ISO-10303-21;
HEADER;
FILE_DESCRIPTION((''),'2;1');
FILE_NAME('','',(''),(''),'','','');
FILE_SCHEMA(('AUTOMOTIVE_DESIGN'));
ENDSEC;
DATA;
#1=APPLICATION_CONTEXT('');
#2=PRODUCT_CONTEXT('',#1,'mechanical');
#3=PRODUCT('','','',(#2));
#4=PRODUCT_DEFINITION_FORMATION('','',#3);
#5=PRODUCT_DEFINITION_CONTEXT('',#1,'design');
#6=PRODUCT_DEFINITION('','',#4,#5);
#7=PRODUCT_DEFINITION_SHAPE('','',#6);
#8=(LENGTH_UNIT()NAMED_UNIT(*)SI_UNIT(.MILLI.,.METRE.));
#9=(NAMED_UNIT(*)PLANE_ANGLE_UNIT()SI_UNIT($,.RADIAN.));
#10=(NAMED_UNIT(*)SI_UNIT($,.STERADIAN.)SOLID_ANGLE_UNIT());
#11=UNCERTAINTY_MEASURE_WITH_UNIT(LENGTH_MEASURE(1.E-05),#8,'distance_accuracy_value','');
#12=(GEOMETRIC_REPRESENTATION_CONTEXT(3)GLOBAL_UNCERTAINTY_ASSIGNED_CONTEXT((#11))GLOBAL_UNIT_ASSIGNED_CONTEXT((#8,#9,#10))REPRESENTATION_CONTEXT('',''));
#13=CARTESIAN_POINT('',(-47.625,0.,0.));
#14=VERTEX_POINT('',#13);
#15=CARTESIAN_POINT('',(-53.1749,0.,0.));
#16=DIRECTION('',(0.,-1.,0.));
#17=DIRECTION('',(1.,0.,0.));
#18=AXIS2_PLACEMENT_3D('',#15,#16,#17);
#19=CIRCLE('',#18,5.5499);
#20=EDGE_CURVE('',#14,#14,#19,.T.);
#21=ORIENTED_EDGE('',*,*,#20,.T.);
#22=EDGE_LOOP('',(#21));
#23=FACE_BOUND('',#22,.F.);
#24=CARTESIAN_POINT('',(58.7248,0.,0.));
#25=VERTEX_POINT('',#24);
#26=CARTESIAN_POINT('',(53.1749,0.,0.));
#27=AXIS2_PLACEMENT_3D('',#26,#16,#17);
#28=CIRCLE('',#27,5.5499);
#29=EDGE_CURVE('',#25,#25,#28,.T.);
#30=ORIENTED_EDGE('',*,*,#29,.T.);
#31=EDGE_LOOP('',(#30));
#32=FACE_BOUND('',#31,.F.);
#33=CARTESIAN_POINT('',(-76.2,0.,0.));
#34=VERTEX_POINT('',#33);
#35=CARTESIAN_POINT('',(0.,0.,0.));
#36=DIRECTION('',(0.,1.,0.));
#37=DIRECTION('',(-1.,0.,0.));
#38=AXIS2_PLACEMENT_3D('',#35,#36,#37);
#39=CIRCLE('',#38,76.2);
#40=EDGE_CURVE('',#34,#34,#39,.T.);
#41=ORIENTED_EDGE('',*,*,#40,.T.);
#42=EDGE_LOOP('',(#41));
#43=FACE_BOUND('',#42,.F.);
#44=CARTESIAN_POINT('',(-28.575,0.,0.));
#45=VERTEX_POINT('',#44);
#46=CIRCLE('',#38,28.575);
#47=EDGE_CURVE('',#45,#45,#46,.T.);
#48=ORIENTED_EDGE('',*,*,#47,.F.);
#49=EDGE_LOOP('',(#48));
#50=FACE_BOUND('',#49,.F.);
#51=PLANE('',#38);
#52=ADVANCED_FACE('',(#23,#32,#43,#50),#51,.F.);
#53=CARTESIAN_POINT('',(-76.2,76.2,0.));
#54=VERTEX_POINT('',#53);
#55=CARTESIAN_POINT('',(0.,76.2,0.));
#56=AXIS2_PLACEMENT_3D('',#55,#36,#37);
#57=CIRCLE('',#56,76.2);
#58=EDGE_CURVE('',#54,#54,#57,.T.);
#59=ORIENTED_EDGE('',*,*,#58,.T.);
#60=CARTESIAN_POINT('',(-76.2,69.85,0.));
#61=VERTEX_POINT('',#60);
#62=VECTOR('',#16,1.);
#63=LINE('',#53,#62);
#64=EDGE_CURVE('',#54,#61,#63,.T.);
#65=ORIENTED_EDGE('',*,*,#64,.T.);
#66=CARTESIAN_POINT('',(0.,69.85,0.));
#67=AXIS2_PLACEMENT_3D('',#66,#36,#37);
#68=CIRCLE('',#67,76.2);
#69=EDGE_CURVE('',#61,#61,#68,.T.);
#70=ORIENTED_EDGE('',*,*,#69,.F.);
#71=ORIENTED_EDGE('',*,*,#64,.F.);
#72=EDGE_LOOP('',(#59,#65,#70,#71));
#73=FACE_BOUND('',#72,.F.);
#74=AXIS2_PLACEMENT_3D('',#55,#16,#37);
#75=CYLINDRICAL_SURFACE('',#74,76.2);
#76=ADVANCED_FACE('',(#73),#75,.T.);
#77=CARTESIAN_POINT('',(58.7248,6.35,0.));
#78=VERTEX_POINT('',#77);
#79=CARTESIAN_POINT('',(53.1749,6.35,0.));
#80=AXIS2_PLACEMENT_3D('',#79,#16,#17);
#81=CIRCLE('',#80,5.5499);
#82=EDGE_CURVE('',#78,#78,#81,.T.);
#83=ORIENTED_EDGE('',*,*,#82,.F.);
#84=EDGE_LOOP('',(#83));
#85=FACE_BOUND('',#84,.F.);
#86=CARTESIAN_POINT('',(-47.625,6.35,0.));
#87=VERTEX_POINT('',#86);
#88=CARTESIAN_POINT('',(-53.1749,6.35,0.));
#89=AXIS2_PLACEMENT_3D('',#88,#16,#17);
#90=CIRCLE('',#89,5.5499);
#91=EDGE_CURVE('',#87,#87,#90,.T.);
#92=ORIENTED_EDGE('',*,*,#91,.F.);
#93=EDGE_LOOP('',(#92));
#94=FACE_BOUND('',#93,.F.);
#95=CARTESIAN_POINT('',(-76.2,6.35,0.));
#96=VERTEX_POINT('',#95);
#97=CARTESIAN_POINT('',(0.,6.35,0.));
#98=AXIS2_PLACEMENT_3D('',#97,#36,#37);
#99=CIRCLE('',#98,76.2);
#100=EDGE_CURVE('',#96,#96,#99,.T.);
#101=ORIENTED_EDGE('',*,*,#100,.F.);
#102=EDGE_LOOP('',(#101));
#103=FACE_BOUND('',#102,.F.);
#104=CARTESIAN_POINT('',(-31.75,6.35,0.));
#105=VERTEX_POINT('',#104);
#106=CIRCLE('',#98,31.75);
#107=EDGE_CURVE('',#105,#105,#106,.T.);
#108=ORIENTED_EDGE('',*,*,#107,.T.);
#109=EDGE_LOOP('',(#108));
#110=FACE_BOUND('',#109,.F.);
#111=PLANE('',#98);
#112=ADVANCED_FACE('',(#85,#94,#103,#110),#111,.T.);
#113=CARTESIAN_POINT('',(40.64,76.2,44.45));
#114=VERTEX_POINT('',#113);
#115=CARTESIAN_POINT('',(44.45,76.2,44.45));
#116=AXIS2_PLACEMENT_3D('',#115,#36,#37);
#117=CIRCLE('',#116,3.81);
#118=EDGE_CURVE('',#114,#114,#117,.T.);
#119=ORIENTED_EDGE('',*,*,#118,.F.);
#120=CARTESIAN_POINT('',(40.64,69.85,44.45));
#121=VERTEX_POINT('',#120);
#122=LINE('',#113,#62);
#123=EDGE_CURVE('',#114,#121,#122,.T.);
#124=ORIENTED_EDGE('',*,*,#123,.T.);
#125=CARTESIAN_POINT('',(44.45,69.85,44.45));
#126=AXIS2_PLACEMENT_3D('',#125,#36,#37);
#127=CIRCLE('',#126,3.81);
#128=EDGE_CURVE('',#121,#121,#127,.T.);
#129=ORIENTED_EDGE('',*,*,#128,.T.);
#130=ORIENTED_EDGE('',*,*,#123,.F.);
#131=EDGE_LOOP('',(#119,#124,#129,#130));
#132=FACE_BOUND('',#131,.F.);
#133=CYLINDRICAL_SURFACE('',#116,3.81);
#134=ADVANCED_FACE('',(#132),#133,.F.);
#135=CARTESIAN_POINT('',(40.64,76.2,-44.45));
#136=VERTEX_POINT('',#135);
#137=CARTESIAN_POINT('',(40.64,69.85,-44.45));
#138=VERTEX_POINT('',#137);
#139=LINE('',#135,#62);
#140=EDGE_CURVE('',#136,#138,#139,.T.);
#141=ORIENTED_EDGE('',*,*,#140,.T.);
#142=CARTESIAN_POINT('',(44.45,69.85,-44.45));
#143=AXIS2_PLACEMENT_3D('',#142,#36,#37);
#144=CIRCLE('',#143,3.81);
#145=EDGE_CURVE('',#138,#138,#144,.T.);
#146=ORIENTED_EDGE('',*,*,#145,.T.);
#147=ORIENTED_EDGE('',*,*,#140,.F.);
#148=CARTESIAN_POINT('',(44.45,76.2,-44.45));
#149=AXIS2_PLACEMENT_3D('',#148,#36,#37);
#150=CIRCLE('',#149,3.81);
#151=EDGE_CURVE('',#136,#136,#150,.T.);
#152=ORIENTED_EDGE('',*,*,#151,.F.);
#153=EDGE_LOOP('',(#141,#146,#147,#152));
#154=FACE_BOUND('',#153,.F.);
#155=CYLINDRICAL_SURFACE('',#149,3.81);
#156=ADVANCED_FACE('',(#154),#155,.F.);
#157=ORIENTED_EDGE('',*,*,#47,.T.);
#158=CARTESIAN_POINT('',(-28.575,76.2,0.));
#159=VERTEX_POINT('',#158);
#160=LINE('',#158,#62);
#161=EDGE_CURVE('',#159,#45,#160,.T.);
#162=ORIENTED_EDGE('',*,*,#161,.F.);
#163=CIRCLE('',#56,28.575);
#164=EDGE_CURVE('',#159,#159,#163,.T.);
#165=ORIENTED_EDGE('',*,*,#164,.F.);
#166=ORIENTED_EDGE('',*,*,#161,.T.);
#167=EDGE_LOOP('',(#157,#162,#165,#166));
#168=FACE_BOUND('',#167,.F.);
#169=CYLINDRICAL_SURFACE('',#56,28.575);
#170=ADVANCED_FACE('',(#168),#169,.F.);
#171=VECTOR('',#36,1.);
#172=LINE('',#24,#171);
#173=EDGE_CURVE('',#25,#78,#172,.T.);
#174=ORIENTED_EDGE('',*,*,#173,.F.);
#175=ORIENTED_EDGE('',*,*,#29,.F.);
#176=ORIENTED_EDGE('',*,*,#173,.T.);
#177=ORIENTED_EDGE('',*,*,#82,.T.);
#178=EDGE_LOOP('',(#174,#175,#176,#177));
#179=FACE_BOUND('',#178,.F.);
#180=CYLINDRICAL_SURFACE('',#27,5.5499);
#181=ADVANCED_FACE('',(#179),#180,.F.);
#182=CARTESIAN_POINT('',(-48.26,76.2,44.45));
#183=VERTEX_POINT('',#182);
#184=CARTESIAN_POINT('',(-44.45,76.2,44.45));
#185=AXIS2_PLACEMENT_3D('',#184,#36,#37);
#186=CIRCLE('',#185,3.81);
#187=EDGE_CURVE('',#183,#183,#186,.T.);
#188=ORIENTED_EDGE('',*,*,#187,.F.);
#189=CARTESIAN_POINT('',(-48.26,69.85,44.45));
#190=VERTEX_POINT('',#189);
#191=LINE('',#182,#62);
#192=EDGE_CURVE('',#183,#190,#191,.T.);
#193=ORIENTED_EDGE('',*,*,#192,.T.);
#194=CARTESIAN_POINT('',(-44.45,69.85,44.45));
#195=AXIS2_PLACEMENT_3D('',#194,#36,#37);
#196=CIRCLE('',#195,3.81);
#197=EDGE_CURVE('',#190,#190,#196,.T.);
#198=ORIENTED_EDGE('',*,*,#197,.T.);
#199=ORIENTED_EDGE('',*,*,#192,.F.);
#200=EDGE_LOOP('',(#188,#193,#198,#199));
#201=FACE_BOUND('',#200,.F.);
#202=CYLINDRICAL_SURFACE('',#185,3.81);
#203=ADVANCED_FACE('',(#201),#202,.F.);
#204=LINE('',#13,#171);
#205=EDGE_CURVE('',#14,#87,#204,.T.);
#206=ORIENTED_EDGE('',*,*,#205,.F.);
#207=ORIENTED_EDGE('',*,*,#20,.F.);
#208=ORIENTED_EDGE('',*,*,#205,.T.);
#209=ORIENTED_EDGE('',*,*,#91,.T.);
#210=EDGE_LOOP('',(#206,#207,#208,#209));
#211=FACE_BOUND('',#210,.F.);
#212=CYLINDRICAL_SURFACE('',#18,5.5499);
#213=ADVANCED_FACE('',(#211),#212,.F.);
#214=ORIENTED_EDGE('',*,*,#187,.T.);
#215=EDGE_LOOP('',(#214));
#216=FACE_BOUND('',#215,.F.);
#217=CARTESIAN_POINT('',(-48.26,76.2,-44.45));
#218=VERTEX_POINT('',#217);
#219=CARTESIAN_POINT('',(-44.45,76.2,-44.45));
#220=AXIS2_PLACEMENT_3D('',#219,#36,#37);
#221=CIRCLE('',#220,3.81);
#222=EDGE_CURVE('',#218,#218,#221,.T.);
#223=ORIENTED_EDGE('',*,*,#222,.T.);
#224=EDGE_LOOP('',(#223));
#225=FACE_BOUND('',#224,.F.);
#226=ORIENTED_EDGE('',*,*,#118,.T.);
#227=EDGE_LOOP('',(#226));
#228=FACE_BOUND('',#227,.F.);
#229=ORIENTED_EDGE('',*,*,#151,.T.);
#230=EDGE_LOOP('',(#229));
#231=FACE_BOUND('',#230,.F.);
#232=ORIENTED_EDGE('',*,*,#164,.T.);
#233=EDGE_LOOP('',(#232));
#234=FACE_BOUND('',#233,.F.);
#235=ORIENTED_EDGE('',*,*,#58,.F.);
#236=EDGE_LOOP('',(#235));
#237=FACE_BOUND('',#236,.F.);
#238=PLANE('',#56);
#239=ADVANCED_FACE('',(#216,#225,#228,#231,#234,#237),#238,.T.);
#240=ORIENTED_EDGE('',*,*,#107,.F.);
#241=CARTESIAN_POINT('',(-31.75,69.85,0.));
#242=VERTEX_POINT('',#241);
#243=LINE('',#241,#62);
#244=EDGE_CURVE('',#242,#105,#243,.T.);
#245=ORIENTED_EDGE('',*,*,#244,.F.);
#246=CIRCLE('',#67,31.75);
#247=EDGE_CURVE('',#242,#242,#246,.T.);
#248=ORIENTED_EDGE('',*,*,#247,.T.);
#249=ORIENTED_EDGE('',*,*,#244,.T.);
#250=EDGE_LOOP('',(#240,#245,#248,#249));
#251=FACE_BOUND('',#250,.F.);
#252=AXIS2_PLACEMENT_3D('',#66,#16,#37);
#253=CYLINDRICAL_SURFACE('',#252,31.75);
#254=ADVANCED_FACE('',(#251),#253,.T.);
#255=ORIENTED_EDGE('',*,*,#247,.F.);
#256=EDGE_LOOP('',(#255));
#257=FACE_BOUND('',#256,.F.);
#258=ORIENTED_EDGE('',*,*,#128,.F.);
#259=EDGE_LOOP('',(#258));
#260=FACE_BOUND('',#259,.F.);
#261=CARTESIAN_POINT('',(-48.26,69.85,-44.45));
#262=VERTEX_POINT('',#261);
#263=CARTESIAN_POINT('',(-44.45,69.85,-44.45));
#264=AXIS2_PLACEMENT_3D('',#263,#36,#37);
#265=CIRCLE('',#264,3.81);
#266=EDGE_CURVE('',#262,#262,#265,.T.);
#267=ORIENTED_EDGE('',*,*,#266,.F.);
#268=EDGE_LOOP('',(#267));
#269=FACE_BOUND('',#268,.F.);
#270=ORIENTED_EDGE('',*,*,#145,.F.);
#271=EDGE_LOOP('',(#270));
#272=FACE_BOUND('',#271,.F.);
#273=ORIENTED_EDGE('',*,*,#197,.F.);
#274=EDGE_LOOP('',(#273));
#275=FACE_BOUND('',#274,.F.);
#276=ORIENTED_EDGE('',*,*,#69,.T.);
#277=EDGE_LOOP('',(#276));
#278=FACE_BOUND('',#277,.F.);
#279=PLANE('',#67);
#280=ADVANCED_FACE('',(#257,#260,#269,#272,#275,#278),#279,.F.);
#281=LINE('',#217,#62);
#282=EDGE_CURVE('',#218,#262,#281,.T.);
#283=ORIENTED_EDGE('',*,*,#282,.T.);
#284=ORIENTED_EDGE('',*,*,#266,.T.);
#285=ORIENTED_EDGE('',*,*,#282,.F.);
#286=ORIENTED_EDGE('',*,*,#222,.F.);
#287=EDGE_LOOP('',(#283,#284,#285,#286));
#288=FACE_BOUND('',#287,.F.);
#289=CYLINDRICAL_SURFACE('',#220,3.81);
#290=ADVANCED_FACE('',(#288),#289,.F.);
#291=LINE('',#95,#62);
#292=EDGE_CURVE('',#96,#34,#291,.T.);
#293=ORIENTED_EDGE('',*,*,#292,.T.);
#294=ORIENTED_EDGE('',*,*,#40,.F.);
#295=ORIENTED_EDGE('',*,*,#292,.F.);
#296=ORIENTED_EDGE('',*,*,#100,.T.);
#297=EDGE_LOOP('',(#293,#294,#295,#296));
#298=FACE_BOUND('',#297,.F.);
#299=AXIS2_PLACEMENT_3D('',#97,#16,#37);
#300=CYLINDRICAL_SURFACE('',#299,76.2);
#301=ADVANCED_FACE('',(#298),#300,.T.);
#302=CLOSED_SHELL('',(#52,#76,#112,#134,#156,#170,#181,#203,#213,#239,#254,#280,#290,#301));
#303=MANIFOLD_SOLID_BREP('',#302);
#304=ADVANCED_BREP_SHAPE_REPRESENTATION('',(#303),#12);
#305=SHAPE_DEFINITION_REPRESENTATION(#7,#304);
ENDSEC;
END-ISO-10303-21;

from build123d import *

# Parameters (mm, degrees)
SKETCH001_R     = 5.5499
POCKET_DEPTH    = 6.35
SKETCH002_R     = 28.575
POCKET001_DEPTH = 152.4
SKETCH003_R     = 3.81
POCKET002_DEPTH = 6.35


with BuildPart() as part:
    # Sketch → Revolution (revolve)
    with BuildSketch(Plane.XY):
        Polygon((0, 76.2), (-76.2, 76.2), (-76.2, 69.85), (-31.75, 69.85), (-31.75, 6.35), (-76.2, 6.35), (-76.2, 0), (0, 0), align=None)
    revolve(axis=Axis((0, 0, 0), (0, 1, 0)))

    # Sketch001 → Pocket (cut)
    with BuildSketch(Plane.XZ):
        with Locations((-53.1749, 0)):
            Circle(SKETCH001_R)
        with Locations((53.1749, 0)):
            Circle(SKETCH001_R)
    extrude(amount=-POCKET_DEPTH, mode=Mode.SUBTRACT)

    # Sketch002 → Pocket001 (cut)
    with BuildSketch(Plane(origin=(0, 76.2, 0), x_dir=(-1, 0, 0), z_dir=(0, 1, 0))):
        Circle(SKETCH002_R)
    extrude(amount=-POCKET001_DEPTH, mode=Mode.SUBTRACT)

    # Sketch003 → Pocket002 (cut)
    with BuildSketch(Plane(origin=(0, 76.2, 0), x_dir=(-1, 0, 0), z_dir=(0, 1, 0))):
        with Locations((-44.45, 44.45)):
            Circle(SKETCH003_R)
        with Locations((44.45, -44.45)):
            Circle(SKETCH003_R)
        with Locations((44.45, 44.45)):
            Circle(SKETCH003_R)
        with Locations((-44.45, -44.45)):
            Circle(SKETCH003_R)
    extrude(amount=-POCKET002_DEPTH, mode=Mode.SUBTRACT)


solid = part.part
